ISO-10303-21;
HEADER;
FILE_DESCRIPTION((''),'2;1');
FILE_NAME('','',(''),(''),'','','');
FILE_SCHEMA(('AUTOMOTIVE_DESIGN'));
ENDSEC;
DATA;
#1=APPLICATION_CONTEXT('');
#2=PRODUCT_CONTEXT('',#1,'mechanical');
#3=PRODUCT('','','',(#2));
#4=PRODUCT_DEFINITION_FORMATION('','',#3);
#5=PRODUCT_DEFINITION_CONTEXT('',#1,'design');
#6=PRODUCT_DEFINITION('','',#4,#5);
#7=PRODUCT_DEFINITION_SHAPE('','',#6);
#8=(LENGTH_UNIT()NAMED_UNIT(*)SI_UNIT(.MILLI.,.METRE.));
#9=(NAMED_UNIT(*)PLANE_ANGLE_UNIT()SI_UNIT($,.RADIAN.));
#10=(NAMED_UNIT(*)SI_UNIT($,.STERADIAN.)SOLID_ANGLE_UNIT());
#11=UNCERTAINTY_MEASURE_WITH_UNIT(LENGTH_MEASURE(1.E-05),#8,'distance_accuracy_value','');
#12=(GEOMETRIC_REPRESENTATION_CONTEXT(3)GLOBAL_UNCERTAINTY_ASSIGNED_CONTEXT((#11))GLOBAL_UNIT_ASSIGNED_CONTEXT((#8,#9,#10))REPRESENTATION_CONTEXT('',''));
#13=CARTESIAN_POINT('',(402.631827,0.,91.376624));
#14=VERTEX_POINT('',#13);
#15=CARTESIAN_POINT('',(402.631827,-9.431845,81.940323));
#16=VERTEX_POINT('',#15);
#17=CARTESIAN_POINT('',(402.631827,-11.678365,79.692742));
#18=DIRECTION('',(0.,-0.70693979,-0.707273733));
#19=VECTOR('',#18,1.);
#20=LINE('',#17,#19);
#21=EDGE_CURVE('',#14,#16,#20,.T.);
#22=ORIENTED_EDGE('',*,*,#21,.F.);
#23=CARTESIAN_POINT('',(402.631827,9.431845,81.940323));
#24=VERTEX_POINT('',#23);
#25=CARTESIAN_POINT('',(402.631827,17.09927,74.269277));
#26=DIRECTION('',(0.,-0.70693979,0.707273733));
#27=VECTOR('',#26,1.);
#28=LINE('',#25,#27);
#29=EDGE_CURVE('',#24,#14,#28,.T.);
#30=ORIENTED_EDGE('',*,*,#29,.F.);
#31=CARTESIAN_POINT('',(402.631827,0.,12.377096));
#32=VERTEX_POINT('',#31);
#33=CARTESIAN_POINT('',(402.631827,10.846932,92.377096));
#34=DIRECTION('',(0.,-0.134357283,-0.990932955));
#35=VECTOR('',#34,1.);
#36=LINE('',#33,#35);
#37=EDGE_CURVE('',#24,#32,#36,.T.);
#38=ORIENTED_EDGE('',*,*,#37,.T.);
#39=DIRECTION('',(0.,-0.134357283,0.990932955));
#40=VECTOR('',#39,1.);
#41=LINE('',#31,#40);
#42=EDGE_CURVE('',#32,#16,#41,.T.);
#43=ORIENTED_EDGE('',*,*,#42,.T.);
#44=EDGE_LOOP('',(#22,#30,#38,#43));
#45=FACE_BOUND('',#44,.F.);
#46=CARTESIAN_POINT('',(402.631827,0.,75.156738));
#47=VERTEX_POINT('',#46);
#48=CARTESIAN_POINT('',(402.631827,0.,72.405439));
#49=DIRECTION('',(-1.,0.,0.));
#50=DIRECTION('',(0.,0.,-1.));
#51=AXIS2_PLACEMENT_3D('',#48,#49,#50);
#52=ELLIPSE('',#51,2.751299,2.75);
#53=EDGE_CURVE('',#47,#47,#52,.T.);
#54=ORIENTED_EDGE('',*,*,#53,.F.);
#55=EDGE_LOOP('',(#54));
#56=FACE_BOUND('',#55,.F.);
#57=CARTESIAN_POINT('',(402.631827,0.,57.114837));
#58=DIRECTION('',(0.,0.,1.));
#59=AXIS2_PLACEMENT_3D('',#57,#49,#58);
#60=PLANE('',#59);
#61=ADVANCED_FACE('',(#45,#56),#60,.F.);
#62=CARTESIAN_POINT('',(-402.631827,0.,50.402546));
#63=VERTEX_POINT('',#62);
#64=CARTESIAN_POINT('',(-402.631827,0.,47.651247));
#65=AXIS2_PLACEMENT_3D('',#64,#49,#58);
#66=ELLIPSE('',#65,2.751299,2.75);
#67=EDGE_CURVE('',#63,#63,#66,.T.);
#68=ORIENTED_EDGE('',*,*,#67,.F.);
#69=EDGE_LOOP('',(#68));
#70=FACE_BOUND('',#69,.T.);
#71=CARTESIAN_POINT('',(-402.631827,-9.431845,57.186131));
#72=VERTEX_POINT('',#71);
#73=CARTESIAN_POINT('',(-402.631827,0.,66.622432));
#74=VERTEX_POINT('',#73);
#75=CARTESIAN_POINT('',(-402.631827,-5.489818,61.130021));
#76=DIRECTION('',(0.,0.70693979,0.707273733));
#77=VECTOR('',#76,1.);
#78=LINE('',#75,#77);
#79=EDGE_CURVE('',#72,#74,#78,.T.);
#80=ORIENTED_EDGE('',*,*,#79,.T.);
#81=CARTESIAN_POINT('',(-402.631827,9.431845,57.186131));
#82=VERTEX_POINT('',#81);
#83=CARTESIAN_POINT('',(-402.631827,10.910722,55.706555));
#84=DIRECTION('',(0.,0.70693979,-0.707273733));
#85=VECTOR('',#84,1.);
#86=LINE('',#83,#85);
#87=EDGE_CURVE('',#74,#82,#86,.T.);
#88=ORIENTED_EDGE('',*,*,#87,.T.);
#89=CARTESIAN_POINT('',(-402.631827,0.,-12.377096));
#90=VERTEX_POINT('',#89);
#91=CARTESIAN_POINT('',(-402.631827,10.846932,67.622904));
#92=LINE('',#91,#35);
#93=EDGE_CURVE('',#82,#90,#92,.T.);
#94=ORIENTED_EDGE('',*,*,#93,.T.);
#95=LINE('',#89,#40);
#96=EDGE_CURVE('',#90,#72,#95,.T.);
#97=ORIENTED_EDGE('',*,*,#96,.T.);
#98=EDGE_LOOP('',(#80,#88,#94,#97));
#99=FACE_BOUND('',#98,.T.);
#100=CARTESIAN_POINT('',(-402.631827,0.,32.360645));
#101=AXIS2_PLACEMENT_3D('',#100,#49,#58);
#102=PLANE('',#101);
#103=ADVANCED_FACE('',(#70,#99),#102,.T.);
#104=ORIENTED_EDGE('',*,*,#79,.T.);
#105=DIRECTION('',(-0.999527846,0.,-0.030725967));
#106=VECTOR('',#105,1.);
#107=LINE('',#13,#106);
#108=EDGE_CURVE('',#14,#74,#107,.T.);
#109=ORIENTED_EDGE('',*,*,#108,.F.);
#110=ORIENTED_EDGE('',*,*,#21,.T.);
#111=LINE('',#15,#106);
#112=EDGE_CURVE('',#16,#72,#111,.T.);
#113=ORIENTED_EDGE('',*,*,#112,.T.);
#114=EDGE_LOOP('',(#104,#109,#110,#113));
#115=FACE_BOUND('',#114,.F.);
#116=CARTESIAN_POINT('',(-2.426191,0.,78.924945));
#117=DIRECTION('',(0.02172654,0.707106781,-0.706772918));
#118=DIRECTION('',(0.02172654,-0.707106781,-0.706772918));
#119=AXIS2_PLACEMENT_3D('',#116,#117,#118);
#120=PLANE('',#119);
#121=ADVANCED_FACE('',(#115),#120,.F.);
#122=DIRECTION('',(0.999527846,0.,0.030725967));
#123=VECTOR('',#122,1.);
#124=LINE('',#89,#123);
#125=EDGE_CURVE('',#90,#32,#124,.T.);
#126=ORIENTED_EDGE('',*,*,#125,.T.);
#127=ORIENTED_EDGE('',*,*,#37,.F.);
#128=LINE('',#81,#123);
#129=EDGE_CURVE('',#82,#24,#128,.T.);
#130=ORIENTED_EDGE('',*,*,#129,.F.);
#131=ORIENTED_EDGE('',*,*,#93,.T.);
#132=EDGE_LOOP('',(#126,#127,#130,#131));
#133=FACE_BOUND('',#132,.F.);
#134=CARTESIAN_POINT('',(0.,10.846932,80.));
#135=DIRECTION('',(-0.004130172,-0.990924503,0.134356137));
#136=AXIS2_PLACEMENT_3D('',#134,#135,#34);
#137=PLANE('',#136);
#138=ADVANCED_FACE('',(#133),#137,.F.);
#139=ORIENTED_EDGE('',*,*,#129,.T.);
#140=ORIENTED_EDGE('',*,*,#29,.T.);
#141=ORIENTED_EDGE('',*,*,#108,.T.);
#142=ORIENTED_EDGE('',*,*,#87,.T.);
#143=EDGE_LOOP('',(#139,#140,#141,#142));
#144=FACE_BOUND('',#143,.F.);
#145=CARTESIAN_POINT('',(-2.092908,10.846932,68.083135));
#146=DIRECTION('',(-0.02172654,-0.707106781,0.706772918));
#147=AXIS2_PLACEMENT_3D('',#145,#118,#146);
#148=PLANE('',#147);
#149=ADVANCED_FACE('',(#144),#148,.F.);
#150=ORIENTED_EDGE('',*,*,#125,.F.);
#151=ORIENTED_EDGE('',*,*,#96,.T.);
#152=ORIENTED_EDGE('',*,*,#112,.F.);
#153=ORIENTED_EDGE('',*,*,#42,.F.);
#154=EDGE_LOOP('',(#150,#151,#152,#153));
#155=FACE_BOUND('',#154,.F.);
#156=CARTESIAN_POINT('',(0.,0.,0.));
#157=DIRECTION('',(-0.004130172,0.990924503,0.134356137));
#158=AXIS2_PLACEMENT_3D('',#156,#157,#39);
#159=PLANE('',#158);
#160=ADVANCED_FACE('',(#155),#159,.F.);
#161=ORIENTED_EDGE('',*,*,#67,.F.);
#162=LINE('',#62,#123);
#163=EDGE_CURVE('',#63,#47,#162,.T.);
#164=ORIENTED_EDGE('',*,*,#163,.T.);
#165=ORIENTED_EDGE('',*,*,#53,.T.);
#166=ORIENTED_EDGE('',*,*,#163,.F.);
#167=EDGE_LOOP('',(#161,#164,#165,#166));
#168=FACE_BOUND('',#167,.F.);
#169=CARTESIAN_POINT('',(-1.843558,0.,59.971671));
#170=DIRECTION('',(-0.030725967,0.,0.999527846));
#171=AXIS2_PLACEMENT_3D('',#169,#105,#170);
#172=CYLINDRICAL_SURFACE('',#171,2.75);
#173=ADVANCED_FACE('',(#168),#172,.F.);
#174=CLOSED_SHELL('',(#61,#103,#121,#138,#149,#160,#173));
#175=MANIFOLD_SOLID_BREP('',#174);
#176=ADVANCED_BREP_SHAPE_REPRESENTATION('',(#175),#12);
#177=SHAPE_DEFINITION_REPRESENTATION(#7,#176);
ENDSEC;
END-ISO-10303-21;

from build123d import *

# Parameters (mm, degrees)
AILERON_DEPTH           = 402.822020631
SKETCH2_R               = 2.75
CUT_EXTRUDE2_DEPTH      = 403.822020631
CUT_EXTRUDE2_DEPTH_BACK = 406.280098


with BuildPart() as part:
    # aileron_root → aileron (new body, symmetric, along a direction that is not the sketch's normal)
    with BuildSketch(Plane(origin=(0, 0, 0), x_dir=(0, 0, -1), z_dir=(1, 0, 0))):
        Polygon((-80, -10.846932253), (-80, 10.846932253), (0, 0), align=None)
    extrude(amount=AILERON_DEPTH, dir=(0.999527846, 0, 0.030725967), both=True)

    # Sketch2 → Cut-Extrude2 (cut, two sides)
    with BuildSketch(Plane(origin=(0, 0, 0), x_dir=(-0.030725967, 0, 0.999527846), z_dir=(-0.999527846, 0, -0.030725967))) as cut_extrude2_sk:
        with Locations((60, 0)):
            Circle(SKETCH2_R)
        Polygon((78.962227681, 0), (68.115295428, -10.846932253), (79.962227681, -10.846932253), (79.962227681, 10.846932253), (68.115295428, 10.846932253), align=None)
    extrude(amount=CUT_EXTRUDE2_DEPTH, mode=Mode.SUBTRACT)
    extrude(cut_extrude2_sk.sketch, amount=-CUT_EXTRUDE2_DEPTH_BACK, mode=Mode.SUBTRACT)


solid = part.part
